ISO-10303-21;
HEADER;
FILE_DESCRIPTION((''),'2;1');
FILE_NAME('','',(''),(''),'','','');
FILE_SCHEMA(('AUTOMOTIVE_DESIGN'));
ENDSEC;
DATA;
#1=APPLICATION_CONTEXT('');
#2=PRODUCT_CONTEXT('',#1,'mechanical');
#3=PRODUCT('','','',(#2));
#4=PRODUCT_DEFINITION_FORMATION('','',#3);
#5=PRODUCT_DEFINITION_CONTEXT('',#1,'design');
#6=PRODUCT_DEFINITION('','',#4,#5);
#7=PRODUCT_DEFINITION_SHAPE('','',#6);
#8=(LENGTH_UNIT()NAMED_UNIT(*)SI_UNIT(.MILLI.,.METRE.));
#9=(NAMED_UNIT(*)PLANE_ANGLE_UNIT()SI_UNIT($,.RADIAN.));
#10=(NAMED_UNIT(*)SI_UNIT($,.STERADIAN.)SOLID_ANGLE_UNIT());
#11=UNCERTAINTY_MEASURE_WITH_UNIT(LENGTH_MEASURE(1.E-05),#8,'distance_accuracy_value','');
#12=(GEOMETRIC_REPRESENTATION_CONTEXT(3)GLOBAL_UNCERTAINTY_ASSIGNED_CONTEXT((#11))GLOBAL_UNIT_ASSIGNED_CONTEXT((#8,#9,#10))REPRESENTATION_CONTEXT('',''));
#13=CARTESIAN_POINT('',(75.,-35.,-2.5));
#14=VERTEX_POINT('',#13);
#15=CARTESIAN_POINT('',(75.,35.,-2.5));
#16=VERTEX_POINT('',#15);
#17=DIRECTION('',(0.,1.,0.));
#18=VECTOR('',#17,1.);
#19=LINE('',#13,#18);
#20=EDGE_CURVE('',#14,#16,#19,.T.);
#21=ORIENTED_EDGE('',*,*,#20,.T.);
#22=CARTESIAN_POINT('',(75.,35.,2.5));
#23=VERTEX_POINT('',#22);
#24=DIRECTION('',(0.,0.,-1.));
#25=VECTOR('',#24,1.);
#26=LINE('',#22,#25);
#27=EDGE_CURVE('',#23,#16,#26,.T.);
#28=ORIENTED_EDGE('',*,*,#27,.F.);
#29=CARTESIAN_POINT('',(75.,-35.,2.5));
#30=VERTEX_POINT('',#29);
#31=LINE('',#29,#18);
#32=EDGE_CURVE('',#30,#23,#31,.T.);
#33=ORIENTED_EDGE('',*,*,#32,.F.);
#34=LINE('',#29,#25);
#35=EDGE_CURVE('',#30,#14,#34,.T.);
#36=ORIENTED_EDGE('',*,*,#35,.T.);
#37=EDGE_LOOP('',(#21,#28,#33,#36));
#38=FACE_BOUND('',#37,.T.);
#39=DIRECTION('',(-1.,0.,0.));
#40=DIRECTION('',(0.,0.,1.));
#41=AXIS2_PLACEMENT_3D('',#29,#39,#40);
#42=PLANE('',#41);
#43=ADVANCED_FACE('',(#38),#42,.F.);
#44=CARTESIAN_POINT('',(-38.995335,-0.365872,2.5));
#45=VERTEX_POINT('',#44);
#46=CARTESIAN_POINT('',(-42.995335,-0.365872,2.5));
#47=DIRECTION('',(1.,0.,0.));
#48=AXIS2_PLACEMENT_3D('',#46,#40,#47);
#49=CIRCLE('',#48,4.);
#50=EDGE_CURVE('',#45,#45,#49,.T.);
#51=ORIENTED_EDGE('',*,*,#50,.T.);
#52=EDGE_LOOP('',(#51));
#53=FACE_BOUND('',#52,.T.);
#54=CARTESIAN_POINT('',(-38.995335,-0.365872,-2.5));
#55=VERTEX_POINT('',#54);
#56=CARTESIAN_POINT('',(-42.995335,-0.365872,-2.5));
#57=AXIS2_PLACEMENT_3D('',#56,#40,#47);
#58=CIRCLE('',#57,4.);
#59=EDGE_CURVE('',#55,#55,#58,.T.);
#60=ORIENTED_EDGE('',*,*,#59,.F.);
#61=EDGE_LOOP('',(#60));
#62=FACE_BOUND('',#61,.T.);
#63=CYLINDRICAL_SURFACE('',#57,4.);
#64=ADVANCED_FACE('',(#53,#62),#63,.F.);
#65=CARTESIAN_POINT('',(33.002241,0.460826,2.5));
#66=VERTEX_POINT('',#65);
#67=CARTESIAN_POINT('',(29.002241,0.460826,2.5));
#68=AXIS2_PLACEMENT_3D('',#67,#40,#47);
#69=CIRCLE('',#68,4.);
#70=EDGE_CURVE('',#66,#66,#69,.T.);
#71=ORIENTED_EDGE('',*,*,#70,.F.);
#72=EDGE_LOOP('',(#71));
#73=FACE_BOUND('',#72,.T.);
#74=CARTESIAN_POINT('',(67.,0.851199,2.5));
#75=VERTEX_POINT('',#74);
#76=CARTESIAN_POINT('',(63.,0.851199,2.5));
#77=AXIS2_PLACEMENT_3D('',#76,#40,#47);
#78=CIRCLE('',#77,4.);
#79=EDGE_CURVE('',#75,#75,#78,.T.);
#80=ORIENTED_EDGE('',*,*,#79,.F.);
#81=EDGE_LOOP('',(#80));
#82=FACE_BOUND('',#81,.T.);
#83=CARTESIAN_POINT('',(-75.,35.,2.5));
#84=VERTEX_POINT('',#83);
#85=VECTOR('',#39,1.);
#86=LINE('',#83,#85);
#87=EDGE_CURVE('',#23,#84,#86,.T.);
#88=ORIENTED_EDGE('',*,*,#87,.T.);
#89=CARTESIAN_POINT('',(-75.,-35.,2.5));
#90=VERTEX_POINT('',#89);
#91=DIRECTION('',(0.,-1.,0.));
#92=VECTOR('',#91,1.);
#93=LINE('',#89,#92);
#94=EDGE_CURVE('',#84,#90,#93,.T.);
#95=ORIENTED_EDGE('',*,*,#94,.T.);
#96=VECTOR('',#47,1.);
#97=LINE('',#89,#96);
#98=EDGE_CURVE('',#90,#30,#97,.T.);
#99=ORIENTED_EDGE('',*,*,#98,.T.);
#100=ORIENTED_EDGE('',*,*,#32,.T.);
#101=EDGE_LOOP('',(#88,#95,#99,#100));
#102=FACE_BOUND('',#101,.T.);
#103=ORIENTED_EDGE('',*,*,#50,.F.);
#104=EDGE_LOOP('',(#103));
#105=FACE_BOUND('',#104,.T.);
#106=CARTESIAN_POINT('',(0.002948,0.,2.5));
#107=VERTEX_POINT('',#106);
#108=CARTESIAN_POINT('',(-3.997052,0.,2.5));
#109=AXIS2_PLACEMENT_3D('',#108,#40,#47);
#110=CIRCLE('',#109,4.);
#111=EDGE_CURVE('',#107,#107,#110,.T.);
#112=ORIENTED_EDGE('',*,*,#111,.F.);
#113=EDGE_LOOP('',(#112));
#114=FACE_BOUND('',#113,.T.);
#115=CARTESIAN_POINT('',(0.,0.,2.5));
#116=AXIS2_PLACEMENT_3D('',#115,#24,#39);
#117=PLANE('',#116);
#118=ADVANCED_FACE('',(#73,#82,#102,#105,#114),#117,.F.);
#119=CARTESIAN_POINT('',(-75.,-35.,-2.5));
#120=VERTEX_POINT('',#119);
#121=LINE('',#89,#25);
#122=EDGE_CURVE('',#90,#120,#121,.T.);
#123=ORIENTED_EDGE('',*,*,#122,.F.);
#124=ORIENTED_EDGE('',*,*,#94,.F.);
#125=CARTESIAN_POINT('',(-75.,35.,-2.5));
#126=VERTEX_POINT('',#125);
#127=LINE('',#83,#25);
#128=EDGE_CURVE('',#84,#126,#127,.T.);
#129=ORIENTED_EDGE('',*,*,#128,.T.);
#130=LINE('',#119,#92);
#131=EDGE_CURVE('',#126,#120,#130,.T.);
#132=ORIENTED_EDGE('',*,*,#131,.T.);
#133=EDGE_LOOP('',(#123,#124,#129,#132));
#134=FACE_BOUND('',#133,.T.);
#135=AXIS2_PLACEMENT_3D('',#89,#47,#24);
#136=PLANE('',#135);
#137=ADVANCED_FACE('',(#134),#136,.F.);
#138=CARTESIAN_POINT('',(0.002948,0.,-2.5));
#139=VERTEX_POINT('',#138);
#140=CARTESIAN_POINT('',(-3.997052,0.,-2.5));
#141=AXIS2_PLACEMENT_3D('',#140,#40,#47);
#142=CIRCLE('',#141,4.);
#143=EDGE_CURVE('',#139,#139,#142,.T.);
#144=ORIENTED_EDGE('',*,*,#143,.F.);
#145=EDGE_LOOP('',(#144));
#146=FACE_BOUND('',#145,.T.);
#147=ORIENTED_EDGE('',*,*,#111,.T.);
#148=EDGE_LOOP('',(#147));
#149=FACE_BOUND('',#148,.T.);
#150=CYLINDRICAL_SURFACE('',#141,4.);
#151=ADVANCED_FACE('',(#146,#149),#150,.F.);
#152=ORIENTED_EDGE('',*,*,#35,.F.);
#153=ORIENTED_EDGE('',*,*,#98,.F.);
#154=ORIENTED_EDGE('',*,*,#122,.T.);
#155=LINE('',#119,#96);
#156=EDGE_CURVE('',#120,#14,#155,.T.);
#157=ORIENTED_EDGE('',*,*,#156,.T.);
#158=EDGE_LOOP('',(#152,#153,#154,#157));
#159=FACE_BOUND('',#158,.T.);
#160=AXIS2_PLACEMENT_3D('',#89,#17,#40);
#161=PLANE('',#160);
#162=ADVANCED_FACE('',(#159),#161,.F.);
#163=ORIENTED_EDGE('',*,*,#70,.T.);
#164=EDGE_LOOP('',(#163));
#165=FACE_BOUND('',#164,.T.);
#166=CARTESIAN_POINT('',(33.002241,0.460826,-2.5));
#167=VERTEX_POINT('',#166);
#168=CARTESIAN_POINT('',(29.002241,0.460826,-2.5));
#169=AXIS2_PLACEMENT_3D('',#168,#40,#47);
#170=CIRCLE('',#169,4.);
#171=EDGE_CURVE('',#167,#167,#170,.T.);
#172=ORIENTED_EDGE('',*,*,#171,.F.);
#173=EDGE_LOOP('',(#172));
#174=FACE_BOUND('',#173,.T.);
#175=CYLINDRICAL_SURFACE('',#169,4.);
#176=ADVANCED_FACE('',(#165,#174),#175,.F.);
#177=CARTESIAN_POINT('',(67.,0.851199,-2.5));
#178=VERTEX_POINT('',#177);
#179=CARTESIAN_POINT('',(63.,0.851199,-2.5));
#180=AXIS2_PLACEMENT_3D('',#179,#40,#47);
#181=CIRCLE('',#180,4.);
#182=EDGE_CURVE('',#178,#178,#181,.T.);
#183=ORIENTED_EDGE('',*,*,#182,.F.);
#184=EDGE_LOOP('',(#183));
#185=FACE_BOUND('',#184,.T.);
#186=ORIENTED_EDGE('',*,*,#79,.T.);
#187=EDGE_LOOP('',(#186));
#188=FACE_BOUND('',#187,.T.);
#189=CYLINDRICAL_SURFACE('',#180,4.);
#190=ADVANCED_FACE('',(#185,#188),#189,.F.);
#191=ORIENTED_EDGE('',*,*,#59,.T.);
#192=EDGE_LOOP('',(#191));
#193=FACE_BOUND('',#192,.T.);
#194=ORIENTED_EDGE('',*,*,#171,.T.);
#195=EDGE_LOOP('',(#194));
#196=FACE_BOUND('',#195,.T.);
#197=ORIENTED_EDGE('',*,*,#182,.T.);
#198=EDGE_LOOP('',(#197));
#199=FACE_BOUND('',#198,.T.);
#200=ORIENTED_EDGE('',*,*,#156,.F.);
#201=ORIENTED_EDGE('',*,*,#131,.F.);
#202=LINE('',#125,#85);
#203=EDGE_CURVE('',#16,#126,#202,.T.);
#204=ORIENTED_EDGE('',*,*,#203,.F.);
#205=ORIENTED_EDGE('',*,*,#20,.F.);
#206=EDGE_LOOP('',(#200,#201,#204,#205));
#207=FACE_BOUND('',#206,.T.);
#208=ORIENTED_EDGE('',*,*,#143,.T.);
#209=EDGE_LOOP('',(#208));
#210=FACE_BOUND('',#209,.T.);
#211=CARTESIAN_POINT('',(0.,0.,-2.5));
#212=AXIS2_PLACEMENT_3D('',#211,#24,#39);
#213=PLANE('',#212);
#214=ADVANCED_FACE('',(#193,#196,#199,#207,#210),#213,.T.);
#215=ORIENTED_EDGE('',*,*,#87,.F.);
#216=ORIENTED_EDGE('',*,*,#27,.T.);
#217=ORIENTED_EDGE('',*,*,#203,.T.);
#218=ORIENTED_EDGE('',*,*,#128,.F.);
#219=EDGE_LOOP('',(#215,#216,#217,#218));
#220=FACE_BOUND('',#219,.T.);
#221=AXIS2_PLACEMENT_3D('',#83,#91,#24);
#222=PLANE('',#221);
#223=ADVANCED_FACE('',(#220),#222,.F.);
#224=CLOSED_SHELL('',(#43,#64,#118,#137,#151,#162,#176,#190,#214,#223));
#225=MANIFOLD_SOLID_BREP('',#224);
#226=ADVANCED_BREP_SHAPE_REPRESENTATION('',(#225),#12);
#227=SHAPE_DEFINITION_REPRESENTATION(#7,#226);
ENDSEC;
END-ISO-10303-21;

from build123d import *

# Parameters (mm, degrees)
SKETCH1_W           = 150
SKETCH1_H           = 70
BOSS_EXTRUDE1_DEPTH = 2.5
SKETCH2_R           = 4
CUT_EXTRUDE1_DEPTH  = 6


with BuildPart() as part:
    # Sketch1 → Boss-Extrude1 (new body, symmetric)
    with BuildSketch(Plane.XY):
        Rectangle(SKETCH1_W, SKETCH1_H)
    extrude(amount=BOSS_EXTRUDE1_DEPTH, both=True)

    # Sketch2 → Cut-Extrude1 (cut, through all)
    with BuildSketch(Plane.XY.offset(2.5)):
        with Locations((63, 0.85119924)):
            Circle(SKETCH2_R)
        with Locations((29.002241117, 0.460826454)):
            Circle(SKETCH2_R)
        with Locations((-42.995335398, -0.365871995)):
            Circle(SKETCH2_R)
        with Locations((-3.99705162, 0)):
            Circle(SKETCH2_R)
    extrude(amount=-CUT_EXTRUDE1_DEPTH, mode=Mode.SUBTRACT)


solid = part.part
